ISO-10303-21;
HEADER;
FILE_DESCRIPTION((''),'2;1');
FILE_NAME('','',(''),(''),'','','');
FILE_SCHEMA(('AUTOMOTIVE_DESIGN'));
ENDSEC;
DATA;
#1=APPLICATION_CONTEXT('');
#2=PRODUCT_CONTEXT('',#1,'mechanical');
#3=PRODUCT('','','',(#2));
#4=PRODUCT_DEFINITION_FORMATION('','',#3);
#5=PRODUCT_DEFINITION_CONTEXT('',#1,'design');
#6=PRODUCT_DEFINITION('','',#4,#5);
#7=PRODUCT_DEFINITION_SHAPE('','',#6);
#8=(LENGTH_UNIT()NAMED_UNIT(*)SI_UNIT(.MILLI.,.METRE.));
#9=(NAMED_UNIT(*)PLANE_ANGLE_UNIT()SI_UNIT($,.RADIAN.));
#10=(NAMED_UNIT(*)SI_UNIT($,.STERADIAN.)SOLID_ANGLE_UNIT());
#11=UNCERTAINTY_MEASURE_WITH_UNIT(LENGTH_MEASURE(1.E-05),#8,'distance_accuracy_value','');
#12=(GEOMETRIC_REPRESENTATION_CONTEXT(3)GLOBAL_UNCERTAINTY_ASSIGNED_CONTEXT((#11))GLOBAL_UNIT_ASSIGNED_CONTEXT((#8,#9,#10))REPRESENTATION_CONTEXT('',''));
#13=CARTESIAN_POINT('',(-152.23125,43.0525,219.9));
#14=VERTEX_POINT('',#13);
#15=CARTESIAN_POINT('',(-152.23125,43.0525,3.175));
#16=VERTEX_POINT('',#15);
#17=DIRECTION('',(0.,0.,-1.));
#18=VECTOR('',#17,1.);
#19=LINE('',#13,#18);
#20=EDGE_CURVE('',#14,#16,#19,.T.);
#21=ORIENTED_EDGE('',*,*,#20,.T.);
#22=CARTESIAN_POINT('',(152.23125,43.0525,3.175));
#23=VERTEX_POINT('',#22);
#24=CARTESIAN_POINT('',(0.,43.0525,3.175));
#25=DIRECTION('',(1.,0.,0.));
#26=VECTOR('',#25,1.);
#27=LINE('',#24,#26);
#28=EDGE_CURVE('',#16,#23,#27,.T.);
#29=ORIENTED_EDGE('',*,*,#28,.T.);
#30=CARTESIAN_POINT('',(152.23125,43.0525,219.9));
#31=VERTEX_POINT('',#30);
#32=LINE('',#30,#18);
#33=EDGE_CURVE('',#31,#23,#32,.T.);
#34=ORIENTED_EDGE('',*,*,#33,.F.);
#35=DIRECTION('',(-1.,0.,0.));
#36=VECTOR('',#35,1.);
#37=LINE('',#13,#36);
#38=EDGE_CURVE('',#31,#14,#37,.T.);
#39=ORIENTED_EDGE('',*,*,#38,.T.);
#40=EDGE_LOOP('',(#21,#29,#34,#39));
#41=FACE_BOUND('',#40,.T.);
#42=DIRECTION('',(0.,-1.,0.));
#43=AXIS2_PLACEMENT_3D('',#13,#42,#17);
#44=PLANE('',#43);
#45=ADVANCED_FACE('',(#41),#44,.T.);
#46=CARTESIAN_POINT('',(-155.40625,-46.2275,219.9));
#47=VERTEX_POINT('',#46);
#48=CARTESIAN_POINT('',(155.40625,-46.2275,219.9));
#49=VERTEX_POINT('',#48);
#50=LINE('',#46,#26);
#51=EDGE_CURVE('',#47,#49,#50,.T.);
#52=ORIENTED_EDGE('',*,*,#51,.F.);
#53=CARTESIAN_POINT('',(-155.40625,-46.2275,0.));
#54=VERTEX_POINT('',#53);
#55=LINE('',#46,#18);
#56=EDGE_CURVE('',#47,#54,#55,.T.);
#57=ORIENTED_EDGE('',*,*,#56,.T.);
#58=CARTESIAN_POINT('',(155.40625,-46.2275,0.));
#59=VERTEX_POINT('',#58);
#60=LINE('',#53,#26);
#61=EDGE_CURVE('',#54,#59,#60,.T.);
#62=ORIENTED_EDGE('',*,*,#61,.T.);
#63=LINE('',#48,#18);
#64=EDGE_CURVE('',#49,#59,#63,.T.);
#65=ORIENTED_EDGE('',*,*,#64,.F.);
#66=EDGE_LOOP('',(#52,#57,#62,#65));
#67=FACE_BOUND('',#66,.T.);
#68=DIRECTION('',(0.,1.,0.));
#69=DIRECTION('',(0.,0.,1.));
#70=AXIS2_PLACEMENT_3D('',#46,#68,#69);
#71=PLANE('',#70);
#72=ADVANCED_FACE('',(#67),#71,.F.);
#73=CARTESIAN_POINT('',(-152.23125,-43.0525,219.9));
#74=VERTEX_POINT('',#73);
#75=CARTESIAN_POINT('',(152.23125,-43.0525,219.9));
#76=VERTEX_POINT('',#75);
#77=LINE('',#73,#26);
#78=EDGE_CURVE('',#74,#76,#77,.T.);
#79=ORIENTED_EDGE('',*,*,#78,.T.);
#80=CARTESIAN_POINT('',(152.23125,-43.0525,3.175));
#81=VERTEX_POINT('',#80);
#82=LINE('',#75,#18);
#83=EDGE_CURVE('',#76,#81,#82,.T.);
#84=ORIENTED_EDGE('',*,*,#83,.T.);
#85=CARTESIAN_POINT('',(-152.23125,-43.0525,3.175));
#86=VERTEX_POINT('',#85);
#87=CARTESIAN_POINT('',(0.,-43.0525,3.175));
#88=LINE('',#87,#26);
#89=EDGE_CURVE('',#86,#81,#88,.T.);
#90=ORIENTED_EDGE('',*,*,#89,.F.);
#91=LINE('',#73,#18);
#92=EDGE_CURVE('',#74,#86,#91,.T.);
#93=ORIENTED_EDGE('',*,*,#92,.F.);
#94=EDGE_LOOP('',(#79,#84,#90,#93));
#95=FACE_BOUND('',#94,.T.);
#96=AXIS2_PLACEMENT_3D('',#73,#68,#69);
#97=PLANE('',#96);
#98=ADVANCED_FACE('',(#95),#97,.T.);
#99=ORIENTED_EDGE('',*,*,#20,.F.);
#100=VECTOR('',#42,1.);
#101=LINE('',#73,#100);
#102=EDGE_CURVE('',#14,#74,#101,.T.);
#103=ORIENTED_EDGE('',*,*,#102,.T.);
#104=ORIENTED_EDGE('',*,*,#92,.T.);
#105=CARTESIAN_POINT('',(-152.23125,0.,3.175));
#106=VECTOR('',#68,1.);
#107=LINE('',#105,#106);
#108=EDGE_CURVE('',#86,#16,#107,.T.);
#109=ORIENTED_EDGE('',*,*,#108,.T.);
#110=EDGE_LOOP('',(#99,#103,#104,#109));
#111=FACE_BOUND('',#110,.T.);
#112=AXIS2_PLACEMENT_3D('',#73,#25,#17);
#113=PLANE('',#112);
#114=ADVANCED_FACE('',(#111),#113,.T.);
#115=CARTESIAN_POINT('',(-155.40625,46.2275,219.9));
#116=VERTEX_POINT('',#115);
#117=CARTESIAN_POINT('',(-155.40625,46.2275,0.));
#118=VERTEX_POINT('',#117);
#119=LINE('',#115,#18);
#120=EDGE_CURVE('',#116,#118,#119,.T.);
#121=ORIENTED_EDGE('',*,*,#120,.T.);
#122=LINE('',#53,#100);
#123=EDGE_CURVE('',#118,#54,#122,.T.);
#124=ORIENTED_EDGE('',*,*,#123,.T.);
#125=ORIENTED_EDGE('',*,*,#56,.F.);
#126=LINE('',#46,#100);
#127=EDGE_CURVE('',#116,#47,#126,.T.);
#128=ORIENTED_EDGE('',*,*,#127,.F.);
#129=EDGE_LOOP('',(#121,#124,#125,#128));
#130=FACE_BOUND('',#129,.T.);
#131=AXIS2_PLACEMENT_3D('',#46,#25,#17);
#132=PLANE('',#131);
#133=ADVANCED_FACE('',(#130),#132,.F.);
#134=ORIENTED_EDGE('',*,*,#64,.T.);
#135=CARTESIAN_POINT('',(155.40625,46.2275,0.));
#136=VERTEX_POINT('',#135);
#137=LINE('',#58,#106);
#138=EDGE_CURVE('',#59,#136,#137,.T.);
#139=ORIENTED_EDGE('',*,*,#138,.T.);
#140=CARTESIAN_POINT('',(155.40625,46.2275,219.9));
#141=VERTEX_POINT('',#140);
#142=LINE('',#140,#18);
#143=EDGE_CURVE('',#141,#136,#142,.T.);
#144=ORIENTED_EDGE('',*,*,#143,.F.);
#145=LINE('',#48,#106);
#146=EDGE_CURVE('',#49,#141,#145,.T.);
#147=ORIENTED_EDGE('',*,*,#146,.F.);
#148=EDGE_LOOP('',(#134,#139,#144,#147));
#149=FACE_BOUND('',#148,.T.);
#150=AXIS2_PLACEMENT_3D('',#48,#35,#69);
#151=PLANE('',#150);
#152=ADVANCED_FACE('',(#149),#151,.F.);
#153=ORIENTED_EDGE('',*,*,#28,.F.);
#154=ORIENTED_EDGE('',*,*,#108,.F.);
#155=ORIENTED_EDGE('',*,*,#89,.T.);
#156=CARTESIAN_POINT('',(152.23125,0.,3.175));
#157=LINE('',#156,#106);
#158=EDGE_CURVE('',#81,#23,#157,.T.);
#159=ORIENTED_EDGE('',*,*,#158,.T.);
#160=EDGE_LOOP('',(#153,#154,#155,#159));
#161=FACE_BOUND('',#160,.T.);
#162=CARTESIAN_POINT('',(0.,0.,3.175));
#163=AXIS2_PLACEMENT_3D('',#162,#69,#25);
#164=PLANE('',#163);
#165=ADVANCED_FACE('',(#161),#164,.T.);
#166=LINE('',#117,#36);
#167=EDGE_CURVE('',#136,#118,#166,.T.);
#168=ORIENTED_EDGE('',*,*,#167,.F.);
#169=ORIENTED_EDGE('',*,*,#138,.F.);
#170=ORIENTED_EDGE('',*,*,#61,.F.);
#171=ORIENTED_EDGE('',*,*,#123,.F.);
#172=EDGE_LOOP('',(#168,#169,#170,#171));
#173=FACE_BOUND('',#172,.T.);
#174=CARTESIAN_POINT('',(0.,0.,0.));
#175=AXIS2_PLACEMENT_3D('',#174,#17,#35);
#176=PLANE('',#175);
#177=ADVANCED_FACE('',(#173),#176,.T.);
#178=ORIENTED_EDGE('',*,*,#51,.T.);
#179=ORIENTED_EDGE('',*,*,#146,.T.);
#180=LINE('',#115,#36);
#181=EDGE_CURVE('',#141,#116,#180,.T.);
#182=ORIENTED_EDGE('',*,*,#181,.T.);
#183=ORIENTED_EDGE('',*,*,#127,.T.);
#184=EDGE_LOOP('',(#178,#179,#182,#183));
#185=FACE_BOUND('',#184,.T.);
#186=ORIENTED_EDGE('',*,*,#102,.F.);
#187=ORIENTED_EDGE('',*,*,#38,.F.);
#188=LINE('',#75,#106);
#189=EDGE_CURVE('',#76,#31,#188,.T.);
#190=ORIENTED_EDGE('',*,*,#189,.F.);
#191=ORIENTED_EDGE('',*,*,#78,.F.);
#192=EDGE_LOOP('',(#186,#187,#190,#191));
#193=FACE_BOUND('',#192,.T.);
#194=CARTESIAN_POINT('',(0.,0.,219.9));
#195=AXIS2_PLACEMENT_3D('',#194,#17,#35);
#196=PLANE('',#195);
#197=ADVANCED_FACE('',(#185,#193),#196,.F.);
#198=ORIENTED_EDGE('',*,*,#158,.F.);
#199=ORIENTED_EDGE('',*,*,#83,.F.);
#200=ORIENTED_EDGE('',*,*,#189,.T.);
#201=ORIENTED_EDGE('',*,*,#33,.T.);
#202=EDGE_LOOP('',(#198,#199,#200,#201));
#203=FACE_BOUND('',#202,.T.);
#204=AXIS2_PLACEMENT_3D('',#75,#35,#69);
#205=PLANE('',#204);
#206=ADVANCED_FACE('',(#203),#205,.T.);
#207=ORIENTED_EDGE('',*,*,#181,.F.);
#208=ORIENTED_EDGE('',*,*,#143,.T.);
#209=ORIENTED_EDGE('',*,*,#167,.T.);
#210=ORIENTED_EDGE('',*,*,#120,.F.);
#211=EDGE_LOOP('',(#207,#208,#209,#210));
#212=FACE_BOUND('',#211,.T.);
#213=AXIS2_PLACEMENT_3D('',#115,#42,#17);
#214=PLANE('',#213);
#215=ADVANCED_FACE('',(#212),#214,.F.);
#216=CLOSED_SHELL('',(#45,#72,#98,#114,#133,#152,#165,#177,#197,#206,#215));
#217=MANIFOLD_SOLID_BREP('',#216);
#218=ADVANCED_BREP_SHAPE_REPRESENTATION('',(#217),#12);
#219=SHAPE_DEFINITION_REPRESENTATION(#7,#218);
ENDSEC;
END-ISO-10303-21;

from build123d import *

# Parameters (mm, degrees)
SKETCH1_W           = 310.8125
SKETCH1_H           = 92.455
SKETCH1_W_2         = 304.4625
SKETCH1_H_2         = 86.105
BOSS_EXTRUDE1_DEPTH = 219.9
SKETCH1_2_W         = 304.4625
SKETCH1_2_H         = 86.105
BOSS_EXTRUDE2_DEPTH = 3.175


with BuildPart() as part:
    # Sketch1 → Boss-Extrude1 (new body)
    with BuildSketch(Plane.XY):
        Rectangle(SKETCH1_W, SKETCH1_H)
        Rectangle(SKETCH1_W_2, SKETCH1_H_2, mode=Mode.SUBTRACT)
    extrude(amount=BOSS_EXTRUDE1_DEPTH)

    # Sketch1<2> → Boss-Extrude2 (add)
    with BuildSketch(Plane.XY):
        Rectangle(SKETCH1_2_W, SKETCH1_2_H)
    extrude(amount=BOSS_EXTRUDE2_DEPTH)


solid = part.part
